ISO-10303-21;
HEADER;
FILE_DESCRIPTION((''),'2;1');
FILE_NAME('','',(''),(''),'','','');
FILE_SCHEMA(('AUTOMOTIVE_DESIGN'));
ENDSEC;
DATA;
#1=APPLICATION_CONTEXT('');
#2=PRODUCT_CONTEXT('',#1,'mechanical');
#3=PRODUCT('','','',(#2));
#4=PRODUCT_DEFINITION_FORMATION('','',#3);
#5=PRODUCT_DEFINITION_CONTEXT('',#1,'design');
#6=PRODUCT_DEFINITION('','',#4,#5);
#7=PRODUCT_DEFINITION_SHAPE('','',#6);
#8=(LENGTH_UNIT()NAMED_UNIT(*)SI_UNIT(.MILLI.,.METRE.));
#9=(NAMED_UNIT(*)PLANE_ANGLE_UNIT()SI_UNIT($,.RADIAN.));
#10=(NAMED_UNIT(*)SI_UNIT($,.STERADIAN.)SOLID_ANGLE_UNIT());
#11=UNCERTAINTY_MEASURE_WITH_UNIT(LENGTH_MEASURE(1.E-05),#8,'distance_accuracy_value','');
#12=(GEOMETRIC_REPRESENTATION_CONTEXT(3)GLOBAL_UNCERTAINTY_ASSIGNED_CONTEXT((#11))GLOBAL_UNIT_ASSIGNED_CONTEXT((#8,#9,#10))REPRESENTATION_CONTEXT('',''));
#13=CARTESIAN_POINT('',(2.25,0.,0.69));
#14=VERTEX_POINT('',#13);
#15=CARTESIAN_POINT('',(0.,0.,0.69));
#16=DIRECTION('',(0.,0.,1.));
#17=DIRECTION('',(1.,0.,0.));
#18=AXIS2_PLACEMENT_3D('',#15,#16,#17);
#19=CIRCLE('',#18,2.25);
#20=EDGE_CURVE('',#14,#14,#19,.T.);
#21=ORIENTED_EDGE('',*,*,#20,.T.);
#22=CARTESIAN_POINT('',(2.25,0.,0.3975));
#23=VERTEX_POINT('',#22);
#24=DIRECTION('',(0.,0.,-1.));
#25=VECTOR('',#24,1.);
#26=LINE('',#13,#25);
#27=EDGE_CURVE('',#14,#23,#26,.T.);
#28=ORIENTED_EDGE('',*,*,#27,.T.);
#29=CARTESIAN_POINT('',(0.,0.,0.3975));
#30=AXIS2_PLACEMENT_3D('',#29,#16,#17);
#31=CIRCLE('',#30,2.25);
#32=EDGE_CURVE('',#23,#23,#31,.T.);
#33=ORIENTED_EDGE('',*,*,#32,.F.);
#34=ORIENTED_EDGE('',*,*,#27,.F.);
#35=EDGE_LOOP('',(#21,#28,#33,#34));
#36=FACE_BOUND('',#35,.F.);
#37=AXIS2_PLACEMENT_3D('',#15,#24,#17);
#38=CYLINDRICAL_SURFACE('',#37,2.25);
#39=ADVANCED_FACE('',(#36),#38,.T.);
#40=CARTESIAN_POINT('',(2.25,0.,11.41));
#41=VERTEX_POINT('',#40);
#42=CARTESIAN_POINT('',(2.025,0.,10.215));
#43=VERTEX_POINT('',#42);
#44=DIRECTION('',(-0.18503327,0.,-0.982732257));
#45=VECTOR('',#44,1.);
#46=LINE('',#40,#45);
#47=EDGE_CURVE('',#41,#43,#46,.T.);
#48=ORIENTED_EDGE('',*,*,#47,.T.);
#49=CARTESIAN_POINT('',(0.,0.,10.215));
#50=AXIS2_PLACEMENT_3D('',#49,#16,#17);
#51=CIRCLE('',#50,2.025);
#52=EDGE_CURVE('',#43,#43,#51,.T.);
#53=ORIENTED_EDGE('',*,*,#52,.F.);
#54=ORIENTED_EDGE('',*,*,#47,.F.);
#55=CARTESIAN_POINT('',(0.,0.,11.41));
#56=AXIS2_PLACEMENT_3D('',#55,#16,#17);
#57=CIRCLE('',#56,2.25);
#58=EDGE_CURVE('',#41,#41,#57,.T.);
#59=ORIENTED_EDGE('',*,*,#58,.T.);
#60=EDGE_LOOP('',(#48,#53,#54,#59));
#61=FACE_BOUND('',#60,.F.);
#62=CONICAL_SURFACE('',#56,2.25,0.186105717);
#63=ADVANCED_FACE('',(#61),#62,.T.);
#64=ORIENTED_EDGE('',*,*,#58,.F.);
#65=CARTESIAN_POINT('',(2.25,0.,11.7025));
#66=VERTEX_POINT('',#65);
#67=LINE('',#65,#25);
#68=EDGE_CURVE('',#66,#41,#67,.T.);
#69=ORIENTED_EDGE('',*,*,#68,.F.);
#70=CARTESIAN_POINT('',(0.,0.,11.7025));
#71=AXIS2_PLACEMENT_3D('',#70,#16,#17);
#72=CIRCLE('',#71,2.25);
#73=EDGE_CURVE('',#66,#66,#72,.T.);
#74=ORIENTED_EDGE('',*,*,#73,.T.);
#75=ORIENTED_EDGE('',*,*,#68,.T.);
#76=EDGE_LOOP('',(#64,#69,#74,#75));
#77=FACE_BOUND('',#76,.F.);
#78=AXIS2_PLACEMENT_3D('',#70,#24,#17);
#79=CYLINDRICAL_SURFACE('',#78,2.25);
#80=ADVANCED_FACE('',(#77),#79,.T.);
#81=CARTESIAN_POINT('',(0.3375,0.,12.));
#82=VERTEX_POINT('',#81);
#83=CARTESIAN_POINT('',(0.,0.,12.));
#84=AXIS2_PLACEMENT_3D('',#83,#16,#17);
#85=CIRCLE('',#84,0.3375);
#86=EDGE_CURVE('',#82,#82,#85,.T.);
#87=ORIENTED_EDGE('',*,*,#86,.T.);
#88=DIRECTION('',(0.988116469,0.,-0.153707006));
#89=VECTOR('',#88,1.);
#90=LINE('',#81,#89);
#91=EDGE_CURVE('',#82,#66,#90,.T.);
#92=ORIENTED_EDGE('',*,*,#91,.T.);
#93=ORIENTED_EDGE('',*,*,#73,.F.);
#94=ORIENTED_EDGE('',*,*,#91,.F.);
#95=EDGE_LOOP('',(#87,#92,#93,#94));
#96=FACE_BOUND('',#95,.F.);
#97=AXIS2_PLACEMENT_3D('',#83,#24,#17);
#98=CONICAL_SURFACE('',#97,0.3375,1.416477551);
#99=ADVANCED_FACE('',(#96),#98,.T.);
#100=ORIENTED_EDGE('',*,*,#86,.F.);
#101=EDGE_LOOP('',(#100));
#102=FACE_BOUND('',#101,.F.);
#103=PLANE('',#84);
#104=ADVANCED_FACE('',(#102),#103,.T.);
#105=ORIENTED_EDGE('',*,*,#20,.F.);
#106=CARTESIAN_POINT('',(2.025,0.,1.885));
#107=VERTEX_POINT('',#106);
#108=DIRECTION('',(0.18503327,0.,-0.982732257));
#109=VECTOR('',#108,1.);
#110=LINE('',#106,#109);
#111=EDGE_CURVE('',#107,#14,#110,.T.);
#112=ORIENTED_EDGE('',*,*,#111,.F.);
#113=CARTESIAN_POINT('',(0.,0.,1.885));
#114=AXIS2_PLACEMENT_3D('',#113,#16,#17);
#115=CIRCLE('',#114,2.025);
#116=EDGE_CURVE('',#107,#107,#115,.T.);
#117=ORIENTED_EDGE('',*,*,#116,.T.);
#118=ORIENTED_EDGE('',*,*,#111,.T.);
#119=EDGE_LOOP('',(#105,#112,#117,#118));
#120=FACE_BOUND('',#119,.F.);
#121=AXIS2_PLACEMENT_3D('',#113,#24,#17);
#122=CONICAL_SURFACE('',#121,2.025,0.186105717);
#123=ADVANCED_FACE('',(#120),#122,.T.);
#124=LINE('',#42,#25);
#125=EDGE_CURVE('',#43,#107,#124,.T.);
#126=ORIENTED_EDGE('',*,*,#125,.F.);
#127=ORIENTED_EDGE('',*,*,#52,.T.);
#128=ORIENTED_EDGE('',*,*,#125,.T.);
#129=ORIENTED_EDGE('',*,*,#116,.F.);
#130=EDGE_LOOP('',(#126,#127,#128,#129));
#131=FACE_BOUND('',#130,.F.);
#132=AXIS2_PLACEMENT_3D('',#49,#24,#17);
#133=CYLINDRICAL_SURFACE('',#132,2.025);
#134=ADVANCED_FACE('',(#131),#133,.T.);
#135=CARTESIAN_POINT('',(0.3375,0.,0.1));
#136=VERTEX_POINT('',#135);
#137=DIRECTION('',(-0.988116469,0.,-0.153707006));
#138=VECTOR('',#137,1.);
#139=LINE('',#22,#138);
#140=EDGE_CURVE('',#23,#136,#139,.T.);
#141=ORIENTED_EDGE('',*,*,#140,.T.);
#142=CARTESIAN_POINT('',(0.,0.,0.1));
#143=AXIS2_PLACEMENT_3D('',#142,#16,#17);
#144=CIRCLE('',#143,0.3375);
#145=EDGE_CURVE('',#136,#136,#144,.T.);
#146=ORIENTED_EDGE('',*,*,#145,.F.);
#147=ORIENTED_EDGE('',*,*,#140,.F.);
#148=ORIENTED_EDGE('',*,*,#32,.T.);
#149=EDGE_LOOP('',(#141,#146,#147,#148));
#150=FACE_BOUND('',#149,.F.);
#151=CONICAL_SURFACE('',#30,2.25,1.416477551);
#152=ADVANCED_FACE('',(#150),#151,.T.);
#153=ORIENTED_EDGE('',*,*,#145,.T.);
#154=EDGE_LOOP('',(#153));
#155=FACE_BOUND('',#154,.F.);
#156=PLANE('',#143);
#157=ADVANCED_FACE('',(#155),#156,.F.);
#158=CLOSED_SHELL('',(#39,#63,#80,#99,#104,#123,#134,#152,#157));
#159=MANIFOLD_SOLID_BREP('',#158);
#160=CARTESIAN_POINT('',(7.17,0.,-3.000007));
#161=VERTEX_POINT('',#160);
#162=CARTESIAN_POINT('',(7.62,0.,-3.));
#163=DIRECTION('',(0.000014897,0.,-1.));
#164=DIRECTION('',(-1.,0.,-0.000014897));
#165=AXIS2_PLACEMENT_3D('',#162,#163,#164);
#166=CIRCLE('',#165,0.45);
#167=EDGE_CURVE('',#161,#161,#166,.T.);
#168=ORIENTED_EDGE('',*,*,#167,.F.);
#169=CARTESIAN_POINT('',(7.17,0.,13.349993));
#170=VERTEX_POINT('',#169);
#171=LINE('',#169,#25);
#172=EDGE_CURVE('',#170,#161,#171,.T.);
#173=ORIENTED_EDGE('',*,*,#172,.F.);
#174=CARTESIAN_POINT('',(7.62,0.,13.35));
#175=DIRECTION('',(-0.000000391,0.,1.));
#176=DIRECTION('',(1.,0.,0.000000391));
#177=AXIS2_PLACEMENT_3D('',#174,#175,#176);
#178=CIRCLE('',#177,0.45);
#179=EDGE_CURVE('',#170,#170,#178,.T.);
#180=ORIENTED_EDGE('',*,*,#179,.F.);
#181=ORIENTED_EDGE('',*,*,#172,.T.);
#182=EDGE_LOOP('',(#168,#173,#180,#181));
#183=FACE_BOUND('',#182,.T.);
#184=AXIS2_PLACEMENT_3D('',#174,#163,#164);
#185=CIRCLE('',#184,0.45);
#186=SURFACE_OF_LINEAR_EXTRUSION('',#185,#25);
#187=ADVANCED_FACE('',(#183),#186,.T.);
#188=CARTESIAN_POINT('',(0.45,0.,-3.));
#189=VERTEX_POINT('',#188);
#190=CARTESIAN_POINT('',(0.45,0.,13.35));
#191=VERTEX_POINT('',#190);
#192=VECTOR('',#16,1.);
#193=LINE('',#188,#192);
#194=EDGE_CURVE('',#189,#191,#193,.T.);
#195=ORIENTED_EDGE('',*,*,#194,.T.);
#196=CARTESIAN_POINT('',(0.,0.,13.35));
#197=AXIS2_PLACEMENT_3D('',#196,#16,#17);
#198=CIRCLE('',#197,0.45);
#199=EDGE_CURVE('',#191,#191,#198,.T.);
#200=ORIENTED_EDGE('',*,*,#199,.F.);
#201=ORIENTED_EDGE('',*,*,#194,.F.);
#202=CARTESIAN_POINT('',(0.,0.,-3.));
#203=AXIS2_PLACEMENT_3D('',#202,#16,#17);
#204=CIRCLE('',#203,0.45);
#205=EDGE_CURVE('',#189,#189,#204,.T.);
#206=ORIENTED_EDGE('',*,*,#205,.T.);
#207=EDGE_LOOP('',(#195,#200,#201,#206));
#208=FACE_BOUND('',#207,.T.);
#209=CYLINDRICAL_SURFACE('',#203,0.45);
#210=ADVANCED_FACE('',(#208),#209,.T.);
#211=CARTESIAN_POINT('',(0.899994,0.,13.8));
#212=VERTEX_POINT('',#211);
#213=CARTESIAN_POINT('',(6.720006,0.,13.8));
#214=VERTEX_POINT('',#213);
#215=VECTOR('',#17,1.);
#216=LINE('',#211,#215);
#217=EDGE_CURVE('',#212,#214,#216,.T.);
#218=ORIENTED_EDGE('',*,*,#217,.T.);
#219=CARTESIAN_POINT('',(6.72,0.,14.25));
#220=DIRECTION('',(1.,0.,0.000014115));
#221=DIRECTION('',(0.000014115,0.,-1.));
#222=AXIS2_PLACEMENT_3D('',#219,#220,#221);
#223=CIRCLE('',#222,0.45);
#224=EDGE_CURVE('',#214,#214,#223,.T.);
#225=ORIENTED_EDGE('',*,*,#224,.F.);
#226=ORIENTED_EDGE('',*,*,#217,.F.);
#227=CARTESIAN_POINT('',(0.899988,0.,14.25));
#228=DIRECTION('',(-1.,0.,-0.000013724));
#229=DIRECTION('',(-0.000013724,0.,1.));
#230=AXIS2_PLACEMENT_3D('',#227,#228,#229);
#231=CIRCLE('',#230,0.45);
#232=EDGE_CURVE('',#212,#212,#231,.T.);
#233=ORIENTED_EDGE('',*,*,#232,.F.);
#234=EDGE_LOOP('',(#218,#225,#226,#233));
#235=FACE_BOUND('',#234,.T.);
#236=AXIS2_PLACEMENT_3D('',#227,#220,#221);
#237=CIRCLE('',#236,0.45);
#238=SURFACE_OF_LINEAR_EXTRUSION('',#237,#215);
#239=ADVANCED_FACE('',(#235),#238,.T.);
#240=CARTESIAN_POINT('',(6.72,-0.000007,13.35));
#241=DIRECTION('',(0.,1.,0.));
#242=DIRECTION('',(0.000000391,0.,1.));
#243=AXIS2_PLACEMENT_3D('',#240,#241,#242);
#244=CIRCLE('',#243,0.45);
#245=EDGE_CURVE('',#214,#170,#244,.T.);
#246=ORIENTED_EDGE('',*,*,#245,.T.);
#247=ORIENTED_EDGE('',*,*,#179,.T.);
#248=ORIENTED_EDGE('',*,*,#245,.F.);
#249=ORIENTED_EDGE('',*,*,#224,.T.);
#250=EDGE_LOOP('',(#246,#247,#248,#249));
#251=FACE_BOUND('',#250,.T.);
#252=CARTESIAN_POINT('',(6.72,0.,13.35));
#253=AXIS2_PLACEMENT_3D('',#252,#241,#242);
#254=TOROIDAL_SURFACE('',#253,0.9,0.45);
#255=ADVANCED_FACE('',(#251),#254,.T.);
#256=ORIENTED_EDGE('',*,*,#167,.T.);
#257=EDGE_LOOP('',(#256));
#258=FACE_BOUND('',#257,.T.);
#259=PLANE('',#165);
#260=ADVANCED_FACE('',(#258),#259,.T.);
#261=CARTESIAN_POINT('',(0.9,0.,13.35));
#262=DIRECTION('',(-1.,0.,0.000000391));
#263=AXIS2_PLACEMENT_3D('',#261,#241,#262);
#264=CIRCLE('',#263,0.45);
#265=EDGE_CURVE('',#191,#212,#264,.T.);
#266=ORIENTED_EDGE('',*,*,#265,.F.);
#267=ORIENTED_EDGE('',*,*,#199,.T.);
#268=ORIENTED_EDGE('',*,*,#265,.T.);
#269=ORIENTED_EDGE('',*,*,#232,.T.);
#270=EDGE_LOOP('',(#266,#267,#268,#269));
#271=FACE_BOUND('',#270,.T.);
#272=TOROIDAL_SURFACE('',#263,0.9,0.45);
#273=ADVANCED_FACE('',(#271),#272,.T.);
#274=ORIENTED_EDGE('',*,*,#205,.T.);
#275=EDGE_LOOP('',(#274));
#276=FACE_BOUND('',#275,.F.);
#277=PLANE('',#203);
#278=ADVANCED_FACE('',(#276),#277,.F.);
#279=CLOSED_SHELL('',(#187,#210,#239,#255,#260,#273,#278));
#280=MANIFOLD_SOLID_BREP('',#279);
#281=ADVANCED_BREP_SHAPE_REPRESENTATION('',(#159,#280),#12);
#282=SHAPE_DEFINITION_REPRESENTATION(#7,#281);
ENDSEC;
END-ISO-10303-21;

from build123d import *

# Parameters (mm, degrees)
SKETCH_R = 0.45


with BuildPart() as sweep_body:
    # Sweep: sweep along a path in Sketch001
    with BuildLine(Plane.XZ) as sweep_path:
        Line((0, -3), (0, 13.35))
        ThreePointArc((0, 13.35), (0.2636, 13.986392), (0.899988, 14.25))
        Line((0.899988, 14.25), (6.72, 14.25))
        ThreePointArc((6.72, 14.25), (7.356396, 13.986396), (7.62, 13.35))
        Line((7.62, 13.35), (7.62, -3))
    # Sketch → Sweep (sweep)
    with BuildSketch(Plane.XY.offset(-2)):
        Circle(SKETCH_R)
    sweep(path=sweep_path.line)


with BuildPart() as revolution:
    # Sketch002 → Revolution (revolve)
    with BuildSketch(Plane.XZ):
        Polygon((0, 0.1), (0, 12), (0.3375, 12), (2.25, 11.7025), (2.25, 11.41), (2.025, 10.215), (2.025, 1.885), (2.25, 0.69), (2.25, 0.3975), (0.3375, 0.1), align=None)
    revolve(axis=Axis((0, 0, 0), (0, 0, 1)))


solid = Compound([sweep_body.part, revolution.part])
